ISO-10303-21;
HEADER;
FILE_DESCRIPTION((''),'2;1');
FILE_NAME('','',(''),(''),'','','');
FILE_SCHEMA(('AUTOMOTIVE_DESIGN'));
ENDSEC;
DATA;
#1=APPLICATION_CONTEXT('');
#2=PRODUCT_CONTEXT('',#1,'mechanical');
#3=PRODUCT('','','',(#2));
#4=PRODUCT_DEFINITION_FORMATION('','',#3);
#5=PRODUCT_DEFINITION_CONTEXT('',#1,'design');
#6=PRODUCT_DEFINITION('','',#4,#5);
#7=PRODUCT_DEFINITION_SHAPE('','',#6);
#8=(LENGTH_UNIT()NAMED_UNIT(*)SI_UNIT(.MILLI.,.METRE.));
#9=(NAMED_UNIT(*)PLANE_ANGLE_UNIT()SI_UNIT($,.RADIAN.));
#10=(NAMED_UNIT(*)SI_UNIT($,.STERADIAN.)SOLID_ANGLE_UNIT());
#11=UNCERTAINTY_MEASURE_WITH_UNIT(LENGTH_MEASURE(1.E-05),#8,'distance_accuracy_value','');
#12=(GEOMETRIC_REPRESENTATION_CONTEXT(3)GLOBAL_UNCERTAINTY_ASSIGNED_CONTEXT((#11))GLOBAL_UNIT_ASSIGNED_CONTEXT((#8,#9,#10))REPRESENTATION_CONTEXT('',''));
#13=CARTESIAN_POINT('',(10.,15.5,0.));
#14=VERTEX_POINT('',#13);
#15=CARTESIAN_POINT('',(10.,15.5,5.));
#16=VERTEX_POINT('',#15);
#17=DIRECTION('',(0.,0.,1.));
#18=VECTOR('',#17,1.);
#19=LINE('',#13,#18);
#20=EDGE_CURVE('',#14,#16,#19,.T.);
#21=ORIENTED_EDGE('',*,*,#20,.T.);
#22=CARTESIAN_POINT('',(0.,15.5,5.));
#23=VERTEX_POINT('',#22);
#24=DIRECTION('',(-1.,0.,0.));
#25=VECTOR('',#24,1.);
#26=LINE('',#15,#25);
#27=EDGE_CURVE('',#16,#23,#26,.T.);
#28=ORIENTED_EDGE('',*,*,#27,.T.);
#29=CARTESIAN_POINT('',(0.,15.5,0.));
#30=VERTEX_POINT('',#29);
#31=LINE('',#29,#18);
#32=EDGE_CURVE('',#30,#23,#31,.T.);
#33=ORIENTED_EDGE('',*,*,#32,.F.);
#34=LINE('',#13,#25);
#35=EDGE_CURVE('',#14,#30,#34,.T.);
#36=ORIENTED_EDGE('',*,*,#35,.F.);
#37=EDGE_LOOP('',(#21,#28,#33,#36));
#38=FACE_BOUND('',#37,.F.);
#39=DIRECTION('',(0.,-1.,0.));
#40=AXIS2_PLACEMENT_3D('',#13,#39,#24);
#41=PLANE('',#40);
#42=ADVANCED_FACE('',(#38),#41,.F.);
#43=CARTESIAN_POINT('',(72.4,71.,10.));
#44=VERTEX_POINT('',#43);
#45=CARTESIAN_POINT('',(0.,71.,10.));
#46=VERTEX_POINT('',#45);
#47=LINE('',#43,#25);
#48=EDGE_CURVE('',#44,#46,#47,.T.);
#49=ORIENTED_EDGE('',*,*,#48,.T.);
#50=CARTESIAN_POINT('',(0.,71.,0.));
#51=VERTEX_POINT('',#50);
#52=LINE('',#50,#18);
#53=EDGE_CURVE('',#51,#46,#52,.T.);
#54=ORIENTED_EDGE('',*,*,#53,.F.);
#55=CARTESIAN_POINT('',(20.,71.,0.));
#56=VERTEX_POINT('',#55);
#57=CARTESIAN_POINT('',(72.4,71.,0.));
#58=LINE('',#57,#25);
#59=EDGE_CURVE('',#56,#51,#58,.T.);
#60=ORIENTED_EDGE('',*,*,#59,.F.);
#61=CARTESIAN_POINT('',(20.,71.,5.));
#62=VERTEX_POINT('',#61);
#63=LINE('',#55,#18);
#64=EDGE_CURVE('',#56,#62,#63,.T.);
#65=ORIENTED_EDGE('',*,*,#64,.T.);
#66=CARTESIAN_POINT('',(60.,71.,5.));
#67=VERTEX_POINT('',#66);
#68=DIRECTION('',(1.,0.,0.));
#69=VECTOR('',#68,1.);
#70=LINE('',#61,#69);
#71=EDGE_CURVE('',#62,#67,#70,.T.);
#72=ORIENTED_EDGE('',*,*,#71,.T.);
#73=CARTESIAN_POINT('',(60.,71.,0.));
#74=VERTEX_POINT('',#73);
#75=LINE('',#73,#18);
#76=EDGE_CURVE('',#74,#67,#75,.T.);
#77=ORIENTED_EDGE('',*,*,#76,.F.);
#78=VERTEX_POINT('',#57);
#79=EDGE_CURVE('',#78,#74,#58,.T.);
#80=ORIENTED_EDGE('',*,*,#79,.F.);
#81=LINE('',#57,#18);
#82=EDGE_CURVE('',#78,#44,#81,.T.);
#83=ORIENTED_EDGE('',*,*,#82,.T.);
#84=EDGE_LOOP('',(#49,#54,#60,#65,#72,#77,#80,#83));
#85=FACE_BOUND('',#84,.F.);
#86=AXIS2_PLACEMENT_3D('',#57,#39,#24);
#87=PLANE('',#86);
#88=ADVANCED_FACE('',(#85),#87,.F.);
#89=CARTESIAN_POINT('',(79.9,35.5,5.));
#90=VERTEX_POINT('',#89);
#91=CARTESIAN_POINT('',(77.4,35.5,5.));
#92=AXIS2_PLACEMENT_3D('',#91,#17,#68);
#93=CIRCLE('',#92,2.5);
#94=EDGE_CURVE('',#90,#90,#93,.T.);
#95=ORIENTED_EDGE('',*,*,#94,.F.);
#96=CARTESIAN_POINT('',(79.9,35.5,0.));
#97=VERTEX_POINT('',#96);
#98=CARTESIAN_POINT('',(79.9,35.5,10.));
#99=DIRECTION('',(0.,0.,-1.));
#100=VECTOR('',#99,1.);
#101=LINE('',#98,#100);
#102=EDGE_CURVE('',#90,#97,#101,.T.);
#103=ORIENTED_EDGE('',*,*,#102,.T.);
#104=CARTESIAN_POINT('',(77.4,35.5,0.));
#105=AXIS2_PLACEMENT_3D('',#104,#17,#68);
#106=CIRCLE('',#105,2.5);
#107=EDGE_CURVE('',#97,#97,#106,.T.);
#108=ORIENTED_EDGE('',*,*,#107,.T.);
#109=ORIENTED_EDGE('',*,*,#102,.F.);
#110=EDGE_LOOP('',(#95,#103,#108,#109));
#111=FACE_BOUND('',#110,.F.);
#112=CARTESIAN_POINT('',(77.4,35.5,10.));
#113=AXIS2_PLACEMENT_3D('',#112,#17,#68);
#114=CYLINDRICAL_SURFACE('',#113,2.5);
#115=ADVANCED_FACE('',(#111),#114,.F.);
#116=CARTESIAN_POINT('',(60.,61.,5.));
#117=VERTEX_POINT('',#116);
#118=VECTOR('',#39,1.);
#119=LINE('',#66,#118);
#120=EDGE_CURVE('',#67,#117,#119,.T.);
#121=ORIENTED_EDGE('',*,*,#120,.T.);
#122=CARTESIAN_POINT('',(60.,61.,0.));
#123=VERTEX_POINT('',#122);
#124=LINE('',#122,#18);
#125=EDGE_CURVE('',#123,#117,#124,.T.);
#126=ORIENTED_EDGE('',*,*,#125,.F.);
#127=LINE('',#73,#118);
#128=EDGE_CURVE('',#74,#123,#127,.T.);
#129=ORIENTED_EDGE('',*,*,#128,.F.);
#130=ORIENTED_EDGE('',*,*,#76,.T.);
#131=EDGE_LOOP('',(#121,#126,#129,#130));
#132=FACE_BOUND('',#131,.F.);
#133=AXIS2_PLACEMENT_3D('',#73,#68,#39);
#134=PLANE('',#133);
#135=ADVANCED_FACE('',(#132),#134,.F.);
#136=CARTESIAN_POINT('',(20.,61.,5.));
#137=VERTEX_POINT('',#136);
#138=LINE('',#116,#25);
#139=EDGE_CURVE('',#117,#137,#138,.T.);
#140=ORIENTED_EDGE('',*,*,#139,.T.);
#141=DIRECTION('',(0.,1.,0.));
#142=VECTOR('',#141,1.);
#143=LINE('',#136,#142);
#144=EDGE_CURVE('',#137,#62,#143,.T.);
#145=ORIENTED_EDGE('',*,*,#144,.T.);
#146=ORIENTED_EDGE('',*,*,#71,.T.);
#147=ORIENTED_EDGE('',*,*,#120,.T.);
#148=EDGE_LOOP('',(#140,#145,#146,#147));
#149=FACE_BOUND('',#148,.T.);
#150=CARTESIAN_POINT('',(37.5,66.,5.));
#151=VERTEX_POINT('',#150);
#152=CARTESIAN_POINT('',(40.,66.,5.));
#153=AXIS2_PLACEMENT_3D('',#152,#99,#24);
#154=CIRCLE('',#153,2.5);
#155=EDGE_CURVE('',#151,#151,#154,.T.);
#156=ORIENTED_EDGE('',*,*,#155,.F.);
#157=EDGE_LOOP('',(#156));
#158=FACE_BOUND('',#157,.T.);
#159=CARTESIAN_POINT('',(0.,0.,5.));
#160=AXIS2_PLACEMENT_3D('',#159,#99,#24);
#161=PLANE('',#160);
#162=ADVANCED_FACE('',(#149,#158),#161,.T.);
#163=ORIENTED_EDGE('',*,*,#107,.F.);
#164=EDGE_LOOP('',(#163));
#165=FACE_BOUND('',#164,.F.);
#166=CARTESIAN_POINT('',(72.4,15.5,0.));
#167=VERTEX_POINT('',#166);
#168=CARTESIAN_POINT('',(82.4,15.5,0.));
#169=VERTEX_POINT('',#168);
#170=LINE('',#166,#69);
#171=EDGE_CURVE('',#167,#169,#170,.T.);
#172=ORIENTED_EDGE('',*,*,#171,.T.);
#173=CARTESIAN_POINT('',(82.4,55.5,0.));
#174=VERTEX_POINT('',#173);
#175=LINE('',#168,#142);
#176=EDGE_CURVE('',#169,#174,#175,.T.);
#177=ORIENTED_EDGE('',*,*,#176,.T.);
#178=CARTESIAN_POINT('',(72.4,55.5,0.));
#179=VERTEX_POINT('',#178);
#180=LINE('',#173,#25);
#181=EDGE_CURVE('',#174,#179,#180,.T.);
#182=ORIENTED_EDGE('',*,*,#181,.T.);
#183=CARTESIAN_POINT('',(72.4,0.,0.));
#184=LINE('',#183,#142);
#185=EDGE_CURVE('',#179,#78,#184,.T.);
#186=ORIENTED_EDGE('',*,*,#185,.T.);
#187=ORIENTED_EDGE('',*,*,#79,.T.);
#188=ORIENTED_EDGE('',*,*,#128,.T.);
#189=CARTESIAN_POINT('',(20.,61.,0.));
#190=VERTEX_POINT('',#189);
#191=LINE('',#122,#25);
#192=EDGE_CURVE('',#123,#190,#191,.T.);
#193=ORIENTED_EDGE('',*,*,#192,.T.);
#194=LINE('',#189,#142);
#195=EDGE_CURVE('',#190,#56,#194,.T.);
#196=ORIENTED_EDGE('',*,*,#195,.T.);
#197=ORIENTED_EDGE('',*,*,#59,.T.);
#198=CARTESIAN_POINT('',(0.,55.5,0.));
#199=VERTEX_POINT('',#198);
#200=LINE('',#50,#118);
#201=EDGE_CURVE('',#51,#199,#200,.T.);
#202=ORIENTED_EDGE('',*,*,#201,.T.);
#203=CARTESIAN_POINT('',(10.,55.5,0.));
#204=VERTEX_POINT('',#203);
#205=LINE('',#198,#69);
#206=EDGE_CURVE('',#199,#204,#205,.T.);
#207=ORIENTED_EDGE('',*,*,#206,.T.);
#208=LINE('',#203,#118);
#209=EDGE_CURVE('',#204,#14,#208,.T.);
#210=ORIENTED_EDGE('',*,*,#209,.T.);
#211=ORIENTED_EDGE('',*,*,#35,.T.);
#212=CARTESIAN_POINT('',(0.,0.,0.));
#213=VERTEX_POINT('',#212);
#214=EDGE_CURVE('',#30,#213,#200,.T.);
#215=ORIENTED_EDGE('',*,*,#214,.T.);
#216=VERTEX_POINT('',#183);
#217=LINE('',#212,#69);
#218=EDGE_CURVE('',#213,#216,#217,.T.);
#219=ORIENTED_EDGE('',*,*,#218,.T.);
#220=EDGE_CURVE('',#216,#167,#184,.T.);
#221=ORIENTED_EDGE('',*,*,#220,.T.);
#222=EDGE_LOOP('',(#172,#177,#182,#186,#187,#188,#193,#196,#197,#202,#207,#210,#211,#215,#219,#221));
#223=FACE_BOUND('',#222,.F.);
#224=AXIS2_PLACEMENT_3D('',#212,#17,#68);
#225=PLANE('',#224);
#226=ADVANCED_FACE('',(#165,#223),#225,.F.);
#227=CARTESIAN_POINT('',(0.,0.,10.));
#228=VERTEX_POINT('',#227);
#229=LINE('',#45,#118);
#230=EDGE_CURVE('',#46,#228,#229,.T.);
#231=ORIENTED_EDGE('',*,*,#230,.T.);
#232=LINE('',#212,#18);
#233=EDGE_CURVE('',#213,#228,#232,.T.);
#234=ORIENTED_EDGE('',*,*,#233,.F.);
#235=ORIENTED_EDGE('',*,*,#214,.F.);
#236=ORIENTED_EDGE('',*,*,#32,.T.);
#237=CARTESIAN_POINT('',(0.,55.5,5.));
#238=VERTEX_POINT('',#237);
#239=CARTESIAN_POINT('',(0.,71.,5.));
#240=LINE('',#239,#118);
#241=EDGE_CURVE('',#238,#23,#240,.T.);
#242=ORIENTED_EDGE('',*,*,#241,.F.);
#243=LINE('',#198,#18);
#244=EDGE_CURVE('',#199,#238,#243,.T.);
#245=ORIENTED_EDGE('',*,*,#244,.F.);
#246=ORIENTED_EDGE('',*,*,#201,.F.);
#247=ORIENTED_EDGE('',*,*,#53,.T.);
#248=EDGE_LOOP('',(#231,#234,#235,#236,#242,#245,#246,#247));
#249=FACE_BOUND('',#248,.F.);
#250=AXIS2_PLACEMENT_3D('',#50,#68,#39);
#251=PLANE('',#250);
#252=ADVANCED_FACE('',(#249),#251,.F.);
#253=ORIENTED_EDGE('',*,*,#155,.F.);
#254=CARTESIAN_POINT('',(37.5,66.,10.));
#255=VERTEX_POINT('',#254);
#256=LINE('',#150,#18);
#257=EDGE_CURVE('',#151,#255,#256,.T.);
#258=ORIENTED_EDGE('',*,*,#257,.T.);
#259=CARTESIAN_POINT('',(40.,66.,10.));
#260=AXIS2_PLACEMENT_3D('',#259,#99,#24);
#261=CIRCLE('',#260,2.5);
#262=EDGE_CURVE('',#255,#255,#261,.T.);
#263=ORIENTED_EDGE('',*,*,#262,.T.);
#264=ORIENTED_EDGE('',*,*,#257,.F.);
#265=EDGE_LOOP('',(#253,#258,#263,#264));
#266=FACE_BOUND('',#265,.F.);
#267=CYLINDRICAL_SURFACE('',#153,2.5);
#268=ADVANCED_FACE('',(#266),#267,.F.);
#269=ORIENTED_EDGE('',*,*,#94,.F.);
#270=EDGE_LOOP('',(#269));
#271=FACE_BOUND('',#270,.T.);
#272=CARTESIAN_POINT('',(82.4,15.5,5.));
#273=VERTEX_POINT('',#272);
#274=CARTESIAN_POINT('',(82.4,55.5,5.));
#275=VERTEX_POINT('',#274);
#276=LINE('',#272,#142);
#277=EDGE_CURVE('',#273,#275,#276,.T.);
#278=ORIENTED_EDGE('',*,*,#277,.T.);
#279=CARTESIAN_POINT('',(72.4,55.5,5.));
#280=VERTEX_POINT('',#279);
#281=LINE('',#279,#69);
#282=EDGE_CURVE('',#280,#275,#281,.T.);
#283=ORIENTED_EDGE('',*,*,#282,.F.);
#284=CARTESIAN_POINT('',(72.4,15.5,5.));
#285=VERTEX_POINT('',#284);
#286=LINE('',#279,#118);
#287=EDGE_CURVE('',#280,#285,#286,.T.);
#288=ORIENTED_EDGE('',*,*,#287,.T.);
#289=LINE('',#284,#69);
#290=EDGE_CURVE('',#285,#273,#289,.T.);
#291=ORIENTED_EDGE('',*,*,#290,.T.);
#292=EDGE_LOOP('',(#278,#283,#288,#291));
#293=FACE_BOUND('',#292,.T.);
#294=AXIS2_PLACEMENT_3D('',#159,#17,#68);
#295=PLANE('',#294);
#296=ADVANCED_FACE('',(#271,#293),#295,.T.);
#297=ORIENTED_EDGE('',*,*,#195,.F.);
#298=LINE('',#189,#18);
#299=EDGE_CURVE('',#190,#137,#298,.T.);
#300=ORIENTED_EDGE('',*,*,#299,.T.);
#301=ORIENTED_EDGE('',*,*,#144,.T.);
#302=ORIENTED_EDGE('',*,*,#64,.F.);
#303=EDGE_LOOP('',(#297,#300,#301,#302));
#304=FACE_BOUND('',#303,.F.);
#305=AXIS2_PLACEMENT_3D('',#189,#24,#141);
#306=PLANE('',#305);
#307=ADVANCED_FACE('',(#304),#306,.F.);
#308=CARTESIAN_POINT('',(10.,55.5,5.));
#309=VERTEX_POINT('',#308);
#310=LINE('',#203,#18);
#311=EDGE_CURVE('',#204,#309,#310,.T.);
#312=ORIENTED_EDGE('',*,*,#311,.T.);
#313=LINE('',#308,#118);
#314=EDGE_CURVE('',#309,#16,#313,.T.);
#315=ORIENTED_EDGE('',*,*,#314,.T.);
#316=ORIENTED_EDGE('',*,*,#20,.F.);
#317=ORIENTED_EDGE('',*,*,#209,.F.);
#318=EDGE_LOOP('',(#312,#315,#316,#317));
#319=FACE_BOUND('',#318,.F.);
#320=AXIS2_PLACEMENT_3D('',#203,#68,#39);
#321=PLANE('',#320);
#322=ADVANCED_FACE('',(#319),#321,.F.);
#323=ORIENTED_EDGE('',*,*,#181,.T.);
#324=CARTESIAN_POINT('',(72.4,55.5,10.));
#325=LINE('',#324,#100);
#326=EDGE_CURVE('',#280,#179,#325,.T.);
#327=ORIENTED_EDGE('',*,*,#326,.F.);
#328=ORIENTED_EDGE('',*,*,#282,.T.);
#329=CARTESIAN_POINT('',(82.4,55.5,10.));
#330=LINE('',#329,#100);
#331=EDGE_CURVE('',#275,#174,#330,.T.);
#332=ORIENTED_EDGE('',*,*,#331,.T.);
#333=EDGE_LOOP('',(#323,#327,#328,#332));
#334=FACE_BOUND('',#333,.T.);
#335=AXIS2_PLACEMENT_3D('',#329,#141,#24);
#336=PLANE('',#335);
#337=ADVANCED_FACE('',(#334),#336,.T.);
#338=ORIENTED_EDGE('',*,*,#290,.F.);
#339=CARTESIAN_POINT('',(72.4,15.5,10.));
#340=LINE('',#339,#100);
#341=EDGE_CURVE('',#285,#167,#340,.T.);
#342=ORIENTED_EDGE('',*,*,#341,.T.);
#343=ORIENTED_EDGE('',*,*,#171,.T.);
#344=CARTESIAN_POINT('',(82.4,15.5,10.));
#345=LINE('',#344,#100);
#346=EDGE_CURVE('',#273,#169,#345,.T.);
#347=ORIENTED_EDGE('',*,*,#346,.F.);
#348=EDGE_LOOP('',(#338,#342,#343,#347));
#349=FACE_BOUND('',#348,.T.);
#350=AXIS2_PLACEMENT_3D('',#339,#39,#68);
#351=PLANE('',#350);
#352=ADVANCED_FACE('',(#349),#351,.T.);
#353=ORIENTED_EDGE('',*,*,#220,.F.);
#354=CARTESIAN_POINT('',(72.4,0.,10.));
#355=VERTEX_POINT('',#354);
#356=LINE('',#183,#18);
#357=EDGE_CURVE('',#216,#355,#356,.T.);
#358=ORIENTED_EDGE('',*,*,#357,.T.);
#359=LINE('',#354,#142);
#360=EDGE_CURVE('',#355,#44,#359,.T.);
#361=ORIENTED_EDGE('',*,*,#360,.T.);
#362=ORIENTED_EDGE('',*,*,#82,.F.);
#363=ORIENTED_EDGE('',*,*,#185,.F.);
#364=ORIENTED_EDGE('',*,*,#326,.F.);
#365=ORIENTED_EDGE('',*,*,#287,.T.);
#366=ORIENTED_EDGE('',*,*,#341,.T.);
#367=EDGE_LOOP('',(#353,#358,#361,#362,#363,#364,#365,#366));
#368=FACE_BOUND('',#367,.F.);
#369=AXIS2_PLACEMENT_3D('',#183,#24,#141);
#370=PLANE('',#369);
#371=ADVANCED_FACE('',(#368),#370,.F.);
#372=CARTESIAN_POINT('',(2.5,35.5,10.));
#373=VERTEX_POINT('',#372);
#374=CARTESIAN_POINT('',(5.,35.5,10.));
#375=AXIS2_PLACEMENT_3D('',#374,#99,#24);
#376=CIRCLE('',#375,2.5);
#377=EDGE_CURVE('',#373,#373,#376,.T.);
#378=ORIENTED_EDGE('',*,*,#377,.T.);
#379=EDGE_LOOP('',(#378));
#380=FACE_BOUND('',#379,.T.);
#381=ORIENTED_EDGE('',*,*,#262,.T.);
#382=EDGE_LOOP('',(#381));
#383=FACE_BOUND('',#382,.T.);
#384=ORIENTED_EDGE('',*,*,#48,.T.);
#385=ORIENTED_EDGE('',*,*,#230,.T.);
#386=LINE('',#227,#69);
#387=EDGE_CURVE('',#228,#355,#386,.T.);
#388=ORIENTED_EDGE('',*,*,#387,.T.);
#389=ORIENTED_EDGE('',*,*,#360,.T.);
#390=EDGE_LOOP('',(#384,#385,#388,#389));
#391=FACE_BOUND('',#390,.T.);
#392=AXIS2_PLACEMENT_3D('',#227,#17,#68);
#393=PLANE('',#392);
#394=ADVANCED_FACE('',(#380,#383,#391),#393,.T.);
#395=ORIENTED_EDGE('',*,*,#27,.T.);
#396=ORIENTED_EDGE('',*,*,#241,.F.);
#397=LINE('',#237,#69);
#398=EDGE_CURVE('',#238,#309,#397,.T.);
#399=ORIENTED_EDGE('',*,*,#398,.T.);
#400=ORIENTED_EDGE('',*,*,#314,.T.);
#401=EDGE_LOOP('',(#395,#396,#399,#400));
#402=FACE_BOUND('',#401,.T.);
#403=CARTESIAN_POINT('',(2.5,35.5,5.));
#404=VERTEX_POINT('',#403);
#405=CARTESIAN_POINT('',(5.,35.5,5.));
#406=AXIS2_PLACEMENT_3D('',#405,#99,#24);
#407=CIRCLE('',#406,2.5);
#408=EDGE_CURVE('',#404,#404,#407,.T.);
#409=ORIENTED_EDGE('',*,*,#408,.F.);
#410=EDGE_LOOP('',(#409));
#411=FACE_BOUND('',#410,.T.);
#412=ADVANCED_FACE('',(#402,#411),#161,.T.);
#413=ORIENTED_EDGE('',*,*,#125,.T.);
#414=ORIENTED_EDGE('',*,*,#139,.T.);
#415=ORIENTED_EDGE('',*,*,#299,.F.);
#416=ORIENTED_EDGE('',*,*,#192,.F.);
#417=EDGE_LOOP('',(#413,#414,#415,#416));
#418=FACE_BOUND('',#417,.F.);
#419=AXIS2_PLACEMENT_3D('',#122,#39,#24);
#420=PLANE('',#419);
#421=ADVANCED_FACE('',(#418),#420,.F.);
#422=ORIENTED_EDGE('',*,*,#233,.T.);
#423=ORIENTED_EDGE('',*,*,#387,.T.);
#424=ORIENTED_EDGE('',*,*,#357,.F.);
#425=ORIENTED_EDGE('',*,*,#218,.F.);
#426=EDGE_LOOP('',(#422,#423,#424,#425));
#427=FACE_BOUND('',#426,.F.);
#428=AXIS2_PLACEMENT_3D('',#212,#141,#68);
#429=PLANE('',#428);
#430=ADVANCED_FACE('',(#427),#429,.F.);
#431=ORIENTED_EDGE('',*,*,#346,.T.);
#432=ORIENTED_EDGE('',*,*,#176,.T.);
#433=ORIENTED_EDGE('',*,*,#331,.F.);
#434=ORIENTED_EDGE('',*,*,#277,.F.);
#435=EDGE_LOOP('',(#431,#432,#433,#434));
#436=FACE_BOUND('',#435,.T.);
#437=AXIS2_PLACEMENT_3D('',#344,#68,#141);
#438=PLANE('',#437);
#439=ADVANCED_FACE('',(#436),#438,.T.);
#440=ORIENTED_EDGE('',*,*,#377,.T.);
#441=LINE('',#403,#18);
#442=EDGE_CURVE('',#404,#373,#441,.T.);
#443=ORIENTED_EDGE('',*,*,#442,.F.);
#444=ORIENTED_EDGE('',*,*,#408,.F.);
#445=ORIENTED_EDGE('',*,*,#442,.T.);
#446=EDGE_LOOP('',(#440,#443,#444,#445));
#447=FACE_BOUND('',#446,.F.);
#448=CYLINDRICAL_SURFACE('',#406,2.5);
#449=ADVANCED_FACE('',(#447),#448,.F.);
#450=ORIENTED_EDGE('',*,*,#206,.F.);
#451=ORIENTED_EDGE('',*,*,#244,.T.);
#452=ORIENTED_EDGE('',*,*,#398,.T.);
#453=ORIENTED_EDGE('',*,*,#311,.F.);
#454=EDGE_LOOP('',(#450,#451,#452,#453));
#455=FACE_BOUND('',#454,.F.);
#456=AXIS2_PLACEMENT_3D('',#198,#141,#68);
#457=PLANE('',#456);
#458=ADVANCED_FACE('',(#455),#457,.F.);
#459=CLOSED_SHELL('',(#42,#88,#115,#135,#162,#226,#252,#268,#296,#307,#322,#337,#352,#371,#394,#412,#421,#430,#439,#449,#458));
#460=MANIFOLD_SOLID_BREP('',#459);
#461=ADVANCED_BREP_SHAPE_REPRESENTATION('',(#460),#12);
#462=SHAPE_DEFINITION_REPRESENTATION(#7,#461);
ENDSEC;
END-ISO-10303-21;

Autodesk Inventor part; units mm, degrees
ref_plane "YZ Plane" through (0, 0, 0) normal (1, 0, 0) x (0, 1, 0)
ref_plane "XZ Plane" through (0, 0, 0) normal (0, 1, 0) x (-1, 0, 0)
ref_plane "XY Plane" through (0, 0, 0) normal (0, 0, 1) x (1, 0, 0)
sketch "Sketch1" plane through (0, 0, 0) normal (0, 0, 1) x (1, 0, 0)
  line L0 (0, 0) -> (72.4, 0)
  line L1 (72.4, 0) -> (72.4, 71)
  line L2 (72.4, 71) -> (0, 71)
  line L3 (0, 71) -> (0, 0)
  dimension "d0" = 72.4
  dimension "d1" = 71
extrude "Extrusion1" add sketch "Sketch1" along normal blind 10
sketch "Sketch2" plane through (0, 0, 10) normal (0, 0, 1) x (1, 0, 0)
  line L0 (72.4, 0) -> (72.4, 71) projected
  line L1 (72.4, 15.5) -> (82.4, 15.5)
  line L2 (82.4, 15.5) -> (82.4, 55.5)
  line L3 (82.4, 55.5) -> (72.4, 55.5)
  line L4 (72.4, 55.5) -> (72.4, 15.5)
  line L5 (72.4, 71) -> (0, 71) projected
  circle A0 centre (77.4, 35.5) radius 2.5
  line L6 (0, 0) -> (72.4, 0) projected
  point P0 (82.4, 35.5)
  point P1 (77.4, 55.5)
  dimension "d4" = 10
  dimension "d5" = 40
  dimension "d7" = 5
  dimension "d31" = 15.5
extrude "Extrusion2" add sketch "Sketch2" against normal blind 10
sketch "Sketch3" plane through (0, 0, 10) normal (0, 0, 1) x (1, 0, 0)
  line L0 (72.4, 55.5) -> (82.4, 55.5) projected
  line L1 (72.4, 15.5) -> (82.4, 15.5) projected
  line L2 (82.4, 55.5) -> (72.4, 55.5)
  line L3 (72.4, 55.5) -> (72.4, 15.5)
  line L4 (72.4, 15.5) -> (82.4, 15.5)
  line L5 (82.4, 15.5) -> (82.4, 55.5)
  point P0 (0, 0)
extrude "Extrusion3" cut sketch "Sketch3" against normal blind 5
sketch "Sketch4" plane through (0, 0, 0) normal (0, 0, -1) x (-1, 0, 0)
  line L0 (0, 71) -> (0, 0) projected
  line L1 (0, 55.5) -> (-10, 55.5)
  line L2 (-10, 55.5) -> (-10, 15.5)
  line L3 (-10, 15.5) -> (0, 15.5)
  line L4 (0, 15.5) -> (0, 55.5)
  point P0 (-72.4, 55.5)
  dimension "d15" = 10
  dimension "d16" = 40
extrude "Extrusion4" cut sketch "Sketch4" against normal blind 5
sketch "Sketch5" plane through (0, 0, 5) normal (0, 0, -1) x (-1, 0, 0)
  circle A0 centre (-5, 35.5) radius 2.5
  line L0 (0, 55.5) -> (0, 15.5) projected
  line L1 (-10, 55.5) -> (0, 55.5) projected
  point P0 (0, 0)
  point P1 (0, 35.5)
  point P2 (-5, 55.5)
  dimension "d19" = 5
extrude "Extrusion5" cut sketch "Sketch5" against normal through all
sketch "Sketch8" plane through (0, 0, 0) normal (0, 0, -1) x (-1, 0, 0)
  line L0 (-20, 71) -> (-60, 71)
  line L1 (-60, 71) -> (-60, 61)
  line L2 (-60, 61) -> (-20, 61)
  line L3 (-20, 61) -> (-20, 71)
  line L4 (0, 0) -> (-72.4, 0) projected
  line L5 (-72.4, 0) -> (-72.4, 15.5) projected
  line L6 (-72.4, 71) -> (0, 71) projected
  line L7 (0, 71) -> (0, 55.5) projected
  point P0 (-36.2, 0)
  point P1 (-40, 71)
  dimension "d32" = 40
  dimension "d33" = 10
  dimension "d40" = 20
extrude "Extrusion8" cut sketch "Sketch8" against normal blind 5
sketch "Sketch9" plane through (0, 0, 5) normal (0, 0, -1) x (-1, 0, 0)
  line L0 (-60, 61) -> (-60, 71) construction
  line L1 (-20, 71) -> (-20, 61) construction
  circle A0 centre (-40, 66) radius 2.5
  line L2 (-60, 71) -> (-20, 71) projected
  line L3 (-20, 61) -> (-60, 61) projected
  point P0 (0, 0)
  point P1 (-40, 61)
  point P2 (-20, 66)
  dimension "d37" = 5
extrude "Extrusion9" cut sketch "Sketch9" against normal through all
properties part number "SP002" material "ABS Plastic"
